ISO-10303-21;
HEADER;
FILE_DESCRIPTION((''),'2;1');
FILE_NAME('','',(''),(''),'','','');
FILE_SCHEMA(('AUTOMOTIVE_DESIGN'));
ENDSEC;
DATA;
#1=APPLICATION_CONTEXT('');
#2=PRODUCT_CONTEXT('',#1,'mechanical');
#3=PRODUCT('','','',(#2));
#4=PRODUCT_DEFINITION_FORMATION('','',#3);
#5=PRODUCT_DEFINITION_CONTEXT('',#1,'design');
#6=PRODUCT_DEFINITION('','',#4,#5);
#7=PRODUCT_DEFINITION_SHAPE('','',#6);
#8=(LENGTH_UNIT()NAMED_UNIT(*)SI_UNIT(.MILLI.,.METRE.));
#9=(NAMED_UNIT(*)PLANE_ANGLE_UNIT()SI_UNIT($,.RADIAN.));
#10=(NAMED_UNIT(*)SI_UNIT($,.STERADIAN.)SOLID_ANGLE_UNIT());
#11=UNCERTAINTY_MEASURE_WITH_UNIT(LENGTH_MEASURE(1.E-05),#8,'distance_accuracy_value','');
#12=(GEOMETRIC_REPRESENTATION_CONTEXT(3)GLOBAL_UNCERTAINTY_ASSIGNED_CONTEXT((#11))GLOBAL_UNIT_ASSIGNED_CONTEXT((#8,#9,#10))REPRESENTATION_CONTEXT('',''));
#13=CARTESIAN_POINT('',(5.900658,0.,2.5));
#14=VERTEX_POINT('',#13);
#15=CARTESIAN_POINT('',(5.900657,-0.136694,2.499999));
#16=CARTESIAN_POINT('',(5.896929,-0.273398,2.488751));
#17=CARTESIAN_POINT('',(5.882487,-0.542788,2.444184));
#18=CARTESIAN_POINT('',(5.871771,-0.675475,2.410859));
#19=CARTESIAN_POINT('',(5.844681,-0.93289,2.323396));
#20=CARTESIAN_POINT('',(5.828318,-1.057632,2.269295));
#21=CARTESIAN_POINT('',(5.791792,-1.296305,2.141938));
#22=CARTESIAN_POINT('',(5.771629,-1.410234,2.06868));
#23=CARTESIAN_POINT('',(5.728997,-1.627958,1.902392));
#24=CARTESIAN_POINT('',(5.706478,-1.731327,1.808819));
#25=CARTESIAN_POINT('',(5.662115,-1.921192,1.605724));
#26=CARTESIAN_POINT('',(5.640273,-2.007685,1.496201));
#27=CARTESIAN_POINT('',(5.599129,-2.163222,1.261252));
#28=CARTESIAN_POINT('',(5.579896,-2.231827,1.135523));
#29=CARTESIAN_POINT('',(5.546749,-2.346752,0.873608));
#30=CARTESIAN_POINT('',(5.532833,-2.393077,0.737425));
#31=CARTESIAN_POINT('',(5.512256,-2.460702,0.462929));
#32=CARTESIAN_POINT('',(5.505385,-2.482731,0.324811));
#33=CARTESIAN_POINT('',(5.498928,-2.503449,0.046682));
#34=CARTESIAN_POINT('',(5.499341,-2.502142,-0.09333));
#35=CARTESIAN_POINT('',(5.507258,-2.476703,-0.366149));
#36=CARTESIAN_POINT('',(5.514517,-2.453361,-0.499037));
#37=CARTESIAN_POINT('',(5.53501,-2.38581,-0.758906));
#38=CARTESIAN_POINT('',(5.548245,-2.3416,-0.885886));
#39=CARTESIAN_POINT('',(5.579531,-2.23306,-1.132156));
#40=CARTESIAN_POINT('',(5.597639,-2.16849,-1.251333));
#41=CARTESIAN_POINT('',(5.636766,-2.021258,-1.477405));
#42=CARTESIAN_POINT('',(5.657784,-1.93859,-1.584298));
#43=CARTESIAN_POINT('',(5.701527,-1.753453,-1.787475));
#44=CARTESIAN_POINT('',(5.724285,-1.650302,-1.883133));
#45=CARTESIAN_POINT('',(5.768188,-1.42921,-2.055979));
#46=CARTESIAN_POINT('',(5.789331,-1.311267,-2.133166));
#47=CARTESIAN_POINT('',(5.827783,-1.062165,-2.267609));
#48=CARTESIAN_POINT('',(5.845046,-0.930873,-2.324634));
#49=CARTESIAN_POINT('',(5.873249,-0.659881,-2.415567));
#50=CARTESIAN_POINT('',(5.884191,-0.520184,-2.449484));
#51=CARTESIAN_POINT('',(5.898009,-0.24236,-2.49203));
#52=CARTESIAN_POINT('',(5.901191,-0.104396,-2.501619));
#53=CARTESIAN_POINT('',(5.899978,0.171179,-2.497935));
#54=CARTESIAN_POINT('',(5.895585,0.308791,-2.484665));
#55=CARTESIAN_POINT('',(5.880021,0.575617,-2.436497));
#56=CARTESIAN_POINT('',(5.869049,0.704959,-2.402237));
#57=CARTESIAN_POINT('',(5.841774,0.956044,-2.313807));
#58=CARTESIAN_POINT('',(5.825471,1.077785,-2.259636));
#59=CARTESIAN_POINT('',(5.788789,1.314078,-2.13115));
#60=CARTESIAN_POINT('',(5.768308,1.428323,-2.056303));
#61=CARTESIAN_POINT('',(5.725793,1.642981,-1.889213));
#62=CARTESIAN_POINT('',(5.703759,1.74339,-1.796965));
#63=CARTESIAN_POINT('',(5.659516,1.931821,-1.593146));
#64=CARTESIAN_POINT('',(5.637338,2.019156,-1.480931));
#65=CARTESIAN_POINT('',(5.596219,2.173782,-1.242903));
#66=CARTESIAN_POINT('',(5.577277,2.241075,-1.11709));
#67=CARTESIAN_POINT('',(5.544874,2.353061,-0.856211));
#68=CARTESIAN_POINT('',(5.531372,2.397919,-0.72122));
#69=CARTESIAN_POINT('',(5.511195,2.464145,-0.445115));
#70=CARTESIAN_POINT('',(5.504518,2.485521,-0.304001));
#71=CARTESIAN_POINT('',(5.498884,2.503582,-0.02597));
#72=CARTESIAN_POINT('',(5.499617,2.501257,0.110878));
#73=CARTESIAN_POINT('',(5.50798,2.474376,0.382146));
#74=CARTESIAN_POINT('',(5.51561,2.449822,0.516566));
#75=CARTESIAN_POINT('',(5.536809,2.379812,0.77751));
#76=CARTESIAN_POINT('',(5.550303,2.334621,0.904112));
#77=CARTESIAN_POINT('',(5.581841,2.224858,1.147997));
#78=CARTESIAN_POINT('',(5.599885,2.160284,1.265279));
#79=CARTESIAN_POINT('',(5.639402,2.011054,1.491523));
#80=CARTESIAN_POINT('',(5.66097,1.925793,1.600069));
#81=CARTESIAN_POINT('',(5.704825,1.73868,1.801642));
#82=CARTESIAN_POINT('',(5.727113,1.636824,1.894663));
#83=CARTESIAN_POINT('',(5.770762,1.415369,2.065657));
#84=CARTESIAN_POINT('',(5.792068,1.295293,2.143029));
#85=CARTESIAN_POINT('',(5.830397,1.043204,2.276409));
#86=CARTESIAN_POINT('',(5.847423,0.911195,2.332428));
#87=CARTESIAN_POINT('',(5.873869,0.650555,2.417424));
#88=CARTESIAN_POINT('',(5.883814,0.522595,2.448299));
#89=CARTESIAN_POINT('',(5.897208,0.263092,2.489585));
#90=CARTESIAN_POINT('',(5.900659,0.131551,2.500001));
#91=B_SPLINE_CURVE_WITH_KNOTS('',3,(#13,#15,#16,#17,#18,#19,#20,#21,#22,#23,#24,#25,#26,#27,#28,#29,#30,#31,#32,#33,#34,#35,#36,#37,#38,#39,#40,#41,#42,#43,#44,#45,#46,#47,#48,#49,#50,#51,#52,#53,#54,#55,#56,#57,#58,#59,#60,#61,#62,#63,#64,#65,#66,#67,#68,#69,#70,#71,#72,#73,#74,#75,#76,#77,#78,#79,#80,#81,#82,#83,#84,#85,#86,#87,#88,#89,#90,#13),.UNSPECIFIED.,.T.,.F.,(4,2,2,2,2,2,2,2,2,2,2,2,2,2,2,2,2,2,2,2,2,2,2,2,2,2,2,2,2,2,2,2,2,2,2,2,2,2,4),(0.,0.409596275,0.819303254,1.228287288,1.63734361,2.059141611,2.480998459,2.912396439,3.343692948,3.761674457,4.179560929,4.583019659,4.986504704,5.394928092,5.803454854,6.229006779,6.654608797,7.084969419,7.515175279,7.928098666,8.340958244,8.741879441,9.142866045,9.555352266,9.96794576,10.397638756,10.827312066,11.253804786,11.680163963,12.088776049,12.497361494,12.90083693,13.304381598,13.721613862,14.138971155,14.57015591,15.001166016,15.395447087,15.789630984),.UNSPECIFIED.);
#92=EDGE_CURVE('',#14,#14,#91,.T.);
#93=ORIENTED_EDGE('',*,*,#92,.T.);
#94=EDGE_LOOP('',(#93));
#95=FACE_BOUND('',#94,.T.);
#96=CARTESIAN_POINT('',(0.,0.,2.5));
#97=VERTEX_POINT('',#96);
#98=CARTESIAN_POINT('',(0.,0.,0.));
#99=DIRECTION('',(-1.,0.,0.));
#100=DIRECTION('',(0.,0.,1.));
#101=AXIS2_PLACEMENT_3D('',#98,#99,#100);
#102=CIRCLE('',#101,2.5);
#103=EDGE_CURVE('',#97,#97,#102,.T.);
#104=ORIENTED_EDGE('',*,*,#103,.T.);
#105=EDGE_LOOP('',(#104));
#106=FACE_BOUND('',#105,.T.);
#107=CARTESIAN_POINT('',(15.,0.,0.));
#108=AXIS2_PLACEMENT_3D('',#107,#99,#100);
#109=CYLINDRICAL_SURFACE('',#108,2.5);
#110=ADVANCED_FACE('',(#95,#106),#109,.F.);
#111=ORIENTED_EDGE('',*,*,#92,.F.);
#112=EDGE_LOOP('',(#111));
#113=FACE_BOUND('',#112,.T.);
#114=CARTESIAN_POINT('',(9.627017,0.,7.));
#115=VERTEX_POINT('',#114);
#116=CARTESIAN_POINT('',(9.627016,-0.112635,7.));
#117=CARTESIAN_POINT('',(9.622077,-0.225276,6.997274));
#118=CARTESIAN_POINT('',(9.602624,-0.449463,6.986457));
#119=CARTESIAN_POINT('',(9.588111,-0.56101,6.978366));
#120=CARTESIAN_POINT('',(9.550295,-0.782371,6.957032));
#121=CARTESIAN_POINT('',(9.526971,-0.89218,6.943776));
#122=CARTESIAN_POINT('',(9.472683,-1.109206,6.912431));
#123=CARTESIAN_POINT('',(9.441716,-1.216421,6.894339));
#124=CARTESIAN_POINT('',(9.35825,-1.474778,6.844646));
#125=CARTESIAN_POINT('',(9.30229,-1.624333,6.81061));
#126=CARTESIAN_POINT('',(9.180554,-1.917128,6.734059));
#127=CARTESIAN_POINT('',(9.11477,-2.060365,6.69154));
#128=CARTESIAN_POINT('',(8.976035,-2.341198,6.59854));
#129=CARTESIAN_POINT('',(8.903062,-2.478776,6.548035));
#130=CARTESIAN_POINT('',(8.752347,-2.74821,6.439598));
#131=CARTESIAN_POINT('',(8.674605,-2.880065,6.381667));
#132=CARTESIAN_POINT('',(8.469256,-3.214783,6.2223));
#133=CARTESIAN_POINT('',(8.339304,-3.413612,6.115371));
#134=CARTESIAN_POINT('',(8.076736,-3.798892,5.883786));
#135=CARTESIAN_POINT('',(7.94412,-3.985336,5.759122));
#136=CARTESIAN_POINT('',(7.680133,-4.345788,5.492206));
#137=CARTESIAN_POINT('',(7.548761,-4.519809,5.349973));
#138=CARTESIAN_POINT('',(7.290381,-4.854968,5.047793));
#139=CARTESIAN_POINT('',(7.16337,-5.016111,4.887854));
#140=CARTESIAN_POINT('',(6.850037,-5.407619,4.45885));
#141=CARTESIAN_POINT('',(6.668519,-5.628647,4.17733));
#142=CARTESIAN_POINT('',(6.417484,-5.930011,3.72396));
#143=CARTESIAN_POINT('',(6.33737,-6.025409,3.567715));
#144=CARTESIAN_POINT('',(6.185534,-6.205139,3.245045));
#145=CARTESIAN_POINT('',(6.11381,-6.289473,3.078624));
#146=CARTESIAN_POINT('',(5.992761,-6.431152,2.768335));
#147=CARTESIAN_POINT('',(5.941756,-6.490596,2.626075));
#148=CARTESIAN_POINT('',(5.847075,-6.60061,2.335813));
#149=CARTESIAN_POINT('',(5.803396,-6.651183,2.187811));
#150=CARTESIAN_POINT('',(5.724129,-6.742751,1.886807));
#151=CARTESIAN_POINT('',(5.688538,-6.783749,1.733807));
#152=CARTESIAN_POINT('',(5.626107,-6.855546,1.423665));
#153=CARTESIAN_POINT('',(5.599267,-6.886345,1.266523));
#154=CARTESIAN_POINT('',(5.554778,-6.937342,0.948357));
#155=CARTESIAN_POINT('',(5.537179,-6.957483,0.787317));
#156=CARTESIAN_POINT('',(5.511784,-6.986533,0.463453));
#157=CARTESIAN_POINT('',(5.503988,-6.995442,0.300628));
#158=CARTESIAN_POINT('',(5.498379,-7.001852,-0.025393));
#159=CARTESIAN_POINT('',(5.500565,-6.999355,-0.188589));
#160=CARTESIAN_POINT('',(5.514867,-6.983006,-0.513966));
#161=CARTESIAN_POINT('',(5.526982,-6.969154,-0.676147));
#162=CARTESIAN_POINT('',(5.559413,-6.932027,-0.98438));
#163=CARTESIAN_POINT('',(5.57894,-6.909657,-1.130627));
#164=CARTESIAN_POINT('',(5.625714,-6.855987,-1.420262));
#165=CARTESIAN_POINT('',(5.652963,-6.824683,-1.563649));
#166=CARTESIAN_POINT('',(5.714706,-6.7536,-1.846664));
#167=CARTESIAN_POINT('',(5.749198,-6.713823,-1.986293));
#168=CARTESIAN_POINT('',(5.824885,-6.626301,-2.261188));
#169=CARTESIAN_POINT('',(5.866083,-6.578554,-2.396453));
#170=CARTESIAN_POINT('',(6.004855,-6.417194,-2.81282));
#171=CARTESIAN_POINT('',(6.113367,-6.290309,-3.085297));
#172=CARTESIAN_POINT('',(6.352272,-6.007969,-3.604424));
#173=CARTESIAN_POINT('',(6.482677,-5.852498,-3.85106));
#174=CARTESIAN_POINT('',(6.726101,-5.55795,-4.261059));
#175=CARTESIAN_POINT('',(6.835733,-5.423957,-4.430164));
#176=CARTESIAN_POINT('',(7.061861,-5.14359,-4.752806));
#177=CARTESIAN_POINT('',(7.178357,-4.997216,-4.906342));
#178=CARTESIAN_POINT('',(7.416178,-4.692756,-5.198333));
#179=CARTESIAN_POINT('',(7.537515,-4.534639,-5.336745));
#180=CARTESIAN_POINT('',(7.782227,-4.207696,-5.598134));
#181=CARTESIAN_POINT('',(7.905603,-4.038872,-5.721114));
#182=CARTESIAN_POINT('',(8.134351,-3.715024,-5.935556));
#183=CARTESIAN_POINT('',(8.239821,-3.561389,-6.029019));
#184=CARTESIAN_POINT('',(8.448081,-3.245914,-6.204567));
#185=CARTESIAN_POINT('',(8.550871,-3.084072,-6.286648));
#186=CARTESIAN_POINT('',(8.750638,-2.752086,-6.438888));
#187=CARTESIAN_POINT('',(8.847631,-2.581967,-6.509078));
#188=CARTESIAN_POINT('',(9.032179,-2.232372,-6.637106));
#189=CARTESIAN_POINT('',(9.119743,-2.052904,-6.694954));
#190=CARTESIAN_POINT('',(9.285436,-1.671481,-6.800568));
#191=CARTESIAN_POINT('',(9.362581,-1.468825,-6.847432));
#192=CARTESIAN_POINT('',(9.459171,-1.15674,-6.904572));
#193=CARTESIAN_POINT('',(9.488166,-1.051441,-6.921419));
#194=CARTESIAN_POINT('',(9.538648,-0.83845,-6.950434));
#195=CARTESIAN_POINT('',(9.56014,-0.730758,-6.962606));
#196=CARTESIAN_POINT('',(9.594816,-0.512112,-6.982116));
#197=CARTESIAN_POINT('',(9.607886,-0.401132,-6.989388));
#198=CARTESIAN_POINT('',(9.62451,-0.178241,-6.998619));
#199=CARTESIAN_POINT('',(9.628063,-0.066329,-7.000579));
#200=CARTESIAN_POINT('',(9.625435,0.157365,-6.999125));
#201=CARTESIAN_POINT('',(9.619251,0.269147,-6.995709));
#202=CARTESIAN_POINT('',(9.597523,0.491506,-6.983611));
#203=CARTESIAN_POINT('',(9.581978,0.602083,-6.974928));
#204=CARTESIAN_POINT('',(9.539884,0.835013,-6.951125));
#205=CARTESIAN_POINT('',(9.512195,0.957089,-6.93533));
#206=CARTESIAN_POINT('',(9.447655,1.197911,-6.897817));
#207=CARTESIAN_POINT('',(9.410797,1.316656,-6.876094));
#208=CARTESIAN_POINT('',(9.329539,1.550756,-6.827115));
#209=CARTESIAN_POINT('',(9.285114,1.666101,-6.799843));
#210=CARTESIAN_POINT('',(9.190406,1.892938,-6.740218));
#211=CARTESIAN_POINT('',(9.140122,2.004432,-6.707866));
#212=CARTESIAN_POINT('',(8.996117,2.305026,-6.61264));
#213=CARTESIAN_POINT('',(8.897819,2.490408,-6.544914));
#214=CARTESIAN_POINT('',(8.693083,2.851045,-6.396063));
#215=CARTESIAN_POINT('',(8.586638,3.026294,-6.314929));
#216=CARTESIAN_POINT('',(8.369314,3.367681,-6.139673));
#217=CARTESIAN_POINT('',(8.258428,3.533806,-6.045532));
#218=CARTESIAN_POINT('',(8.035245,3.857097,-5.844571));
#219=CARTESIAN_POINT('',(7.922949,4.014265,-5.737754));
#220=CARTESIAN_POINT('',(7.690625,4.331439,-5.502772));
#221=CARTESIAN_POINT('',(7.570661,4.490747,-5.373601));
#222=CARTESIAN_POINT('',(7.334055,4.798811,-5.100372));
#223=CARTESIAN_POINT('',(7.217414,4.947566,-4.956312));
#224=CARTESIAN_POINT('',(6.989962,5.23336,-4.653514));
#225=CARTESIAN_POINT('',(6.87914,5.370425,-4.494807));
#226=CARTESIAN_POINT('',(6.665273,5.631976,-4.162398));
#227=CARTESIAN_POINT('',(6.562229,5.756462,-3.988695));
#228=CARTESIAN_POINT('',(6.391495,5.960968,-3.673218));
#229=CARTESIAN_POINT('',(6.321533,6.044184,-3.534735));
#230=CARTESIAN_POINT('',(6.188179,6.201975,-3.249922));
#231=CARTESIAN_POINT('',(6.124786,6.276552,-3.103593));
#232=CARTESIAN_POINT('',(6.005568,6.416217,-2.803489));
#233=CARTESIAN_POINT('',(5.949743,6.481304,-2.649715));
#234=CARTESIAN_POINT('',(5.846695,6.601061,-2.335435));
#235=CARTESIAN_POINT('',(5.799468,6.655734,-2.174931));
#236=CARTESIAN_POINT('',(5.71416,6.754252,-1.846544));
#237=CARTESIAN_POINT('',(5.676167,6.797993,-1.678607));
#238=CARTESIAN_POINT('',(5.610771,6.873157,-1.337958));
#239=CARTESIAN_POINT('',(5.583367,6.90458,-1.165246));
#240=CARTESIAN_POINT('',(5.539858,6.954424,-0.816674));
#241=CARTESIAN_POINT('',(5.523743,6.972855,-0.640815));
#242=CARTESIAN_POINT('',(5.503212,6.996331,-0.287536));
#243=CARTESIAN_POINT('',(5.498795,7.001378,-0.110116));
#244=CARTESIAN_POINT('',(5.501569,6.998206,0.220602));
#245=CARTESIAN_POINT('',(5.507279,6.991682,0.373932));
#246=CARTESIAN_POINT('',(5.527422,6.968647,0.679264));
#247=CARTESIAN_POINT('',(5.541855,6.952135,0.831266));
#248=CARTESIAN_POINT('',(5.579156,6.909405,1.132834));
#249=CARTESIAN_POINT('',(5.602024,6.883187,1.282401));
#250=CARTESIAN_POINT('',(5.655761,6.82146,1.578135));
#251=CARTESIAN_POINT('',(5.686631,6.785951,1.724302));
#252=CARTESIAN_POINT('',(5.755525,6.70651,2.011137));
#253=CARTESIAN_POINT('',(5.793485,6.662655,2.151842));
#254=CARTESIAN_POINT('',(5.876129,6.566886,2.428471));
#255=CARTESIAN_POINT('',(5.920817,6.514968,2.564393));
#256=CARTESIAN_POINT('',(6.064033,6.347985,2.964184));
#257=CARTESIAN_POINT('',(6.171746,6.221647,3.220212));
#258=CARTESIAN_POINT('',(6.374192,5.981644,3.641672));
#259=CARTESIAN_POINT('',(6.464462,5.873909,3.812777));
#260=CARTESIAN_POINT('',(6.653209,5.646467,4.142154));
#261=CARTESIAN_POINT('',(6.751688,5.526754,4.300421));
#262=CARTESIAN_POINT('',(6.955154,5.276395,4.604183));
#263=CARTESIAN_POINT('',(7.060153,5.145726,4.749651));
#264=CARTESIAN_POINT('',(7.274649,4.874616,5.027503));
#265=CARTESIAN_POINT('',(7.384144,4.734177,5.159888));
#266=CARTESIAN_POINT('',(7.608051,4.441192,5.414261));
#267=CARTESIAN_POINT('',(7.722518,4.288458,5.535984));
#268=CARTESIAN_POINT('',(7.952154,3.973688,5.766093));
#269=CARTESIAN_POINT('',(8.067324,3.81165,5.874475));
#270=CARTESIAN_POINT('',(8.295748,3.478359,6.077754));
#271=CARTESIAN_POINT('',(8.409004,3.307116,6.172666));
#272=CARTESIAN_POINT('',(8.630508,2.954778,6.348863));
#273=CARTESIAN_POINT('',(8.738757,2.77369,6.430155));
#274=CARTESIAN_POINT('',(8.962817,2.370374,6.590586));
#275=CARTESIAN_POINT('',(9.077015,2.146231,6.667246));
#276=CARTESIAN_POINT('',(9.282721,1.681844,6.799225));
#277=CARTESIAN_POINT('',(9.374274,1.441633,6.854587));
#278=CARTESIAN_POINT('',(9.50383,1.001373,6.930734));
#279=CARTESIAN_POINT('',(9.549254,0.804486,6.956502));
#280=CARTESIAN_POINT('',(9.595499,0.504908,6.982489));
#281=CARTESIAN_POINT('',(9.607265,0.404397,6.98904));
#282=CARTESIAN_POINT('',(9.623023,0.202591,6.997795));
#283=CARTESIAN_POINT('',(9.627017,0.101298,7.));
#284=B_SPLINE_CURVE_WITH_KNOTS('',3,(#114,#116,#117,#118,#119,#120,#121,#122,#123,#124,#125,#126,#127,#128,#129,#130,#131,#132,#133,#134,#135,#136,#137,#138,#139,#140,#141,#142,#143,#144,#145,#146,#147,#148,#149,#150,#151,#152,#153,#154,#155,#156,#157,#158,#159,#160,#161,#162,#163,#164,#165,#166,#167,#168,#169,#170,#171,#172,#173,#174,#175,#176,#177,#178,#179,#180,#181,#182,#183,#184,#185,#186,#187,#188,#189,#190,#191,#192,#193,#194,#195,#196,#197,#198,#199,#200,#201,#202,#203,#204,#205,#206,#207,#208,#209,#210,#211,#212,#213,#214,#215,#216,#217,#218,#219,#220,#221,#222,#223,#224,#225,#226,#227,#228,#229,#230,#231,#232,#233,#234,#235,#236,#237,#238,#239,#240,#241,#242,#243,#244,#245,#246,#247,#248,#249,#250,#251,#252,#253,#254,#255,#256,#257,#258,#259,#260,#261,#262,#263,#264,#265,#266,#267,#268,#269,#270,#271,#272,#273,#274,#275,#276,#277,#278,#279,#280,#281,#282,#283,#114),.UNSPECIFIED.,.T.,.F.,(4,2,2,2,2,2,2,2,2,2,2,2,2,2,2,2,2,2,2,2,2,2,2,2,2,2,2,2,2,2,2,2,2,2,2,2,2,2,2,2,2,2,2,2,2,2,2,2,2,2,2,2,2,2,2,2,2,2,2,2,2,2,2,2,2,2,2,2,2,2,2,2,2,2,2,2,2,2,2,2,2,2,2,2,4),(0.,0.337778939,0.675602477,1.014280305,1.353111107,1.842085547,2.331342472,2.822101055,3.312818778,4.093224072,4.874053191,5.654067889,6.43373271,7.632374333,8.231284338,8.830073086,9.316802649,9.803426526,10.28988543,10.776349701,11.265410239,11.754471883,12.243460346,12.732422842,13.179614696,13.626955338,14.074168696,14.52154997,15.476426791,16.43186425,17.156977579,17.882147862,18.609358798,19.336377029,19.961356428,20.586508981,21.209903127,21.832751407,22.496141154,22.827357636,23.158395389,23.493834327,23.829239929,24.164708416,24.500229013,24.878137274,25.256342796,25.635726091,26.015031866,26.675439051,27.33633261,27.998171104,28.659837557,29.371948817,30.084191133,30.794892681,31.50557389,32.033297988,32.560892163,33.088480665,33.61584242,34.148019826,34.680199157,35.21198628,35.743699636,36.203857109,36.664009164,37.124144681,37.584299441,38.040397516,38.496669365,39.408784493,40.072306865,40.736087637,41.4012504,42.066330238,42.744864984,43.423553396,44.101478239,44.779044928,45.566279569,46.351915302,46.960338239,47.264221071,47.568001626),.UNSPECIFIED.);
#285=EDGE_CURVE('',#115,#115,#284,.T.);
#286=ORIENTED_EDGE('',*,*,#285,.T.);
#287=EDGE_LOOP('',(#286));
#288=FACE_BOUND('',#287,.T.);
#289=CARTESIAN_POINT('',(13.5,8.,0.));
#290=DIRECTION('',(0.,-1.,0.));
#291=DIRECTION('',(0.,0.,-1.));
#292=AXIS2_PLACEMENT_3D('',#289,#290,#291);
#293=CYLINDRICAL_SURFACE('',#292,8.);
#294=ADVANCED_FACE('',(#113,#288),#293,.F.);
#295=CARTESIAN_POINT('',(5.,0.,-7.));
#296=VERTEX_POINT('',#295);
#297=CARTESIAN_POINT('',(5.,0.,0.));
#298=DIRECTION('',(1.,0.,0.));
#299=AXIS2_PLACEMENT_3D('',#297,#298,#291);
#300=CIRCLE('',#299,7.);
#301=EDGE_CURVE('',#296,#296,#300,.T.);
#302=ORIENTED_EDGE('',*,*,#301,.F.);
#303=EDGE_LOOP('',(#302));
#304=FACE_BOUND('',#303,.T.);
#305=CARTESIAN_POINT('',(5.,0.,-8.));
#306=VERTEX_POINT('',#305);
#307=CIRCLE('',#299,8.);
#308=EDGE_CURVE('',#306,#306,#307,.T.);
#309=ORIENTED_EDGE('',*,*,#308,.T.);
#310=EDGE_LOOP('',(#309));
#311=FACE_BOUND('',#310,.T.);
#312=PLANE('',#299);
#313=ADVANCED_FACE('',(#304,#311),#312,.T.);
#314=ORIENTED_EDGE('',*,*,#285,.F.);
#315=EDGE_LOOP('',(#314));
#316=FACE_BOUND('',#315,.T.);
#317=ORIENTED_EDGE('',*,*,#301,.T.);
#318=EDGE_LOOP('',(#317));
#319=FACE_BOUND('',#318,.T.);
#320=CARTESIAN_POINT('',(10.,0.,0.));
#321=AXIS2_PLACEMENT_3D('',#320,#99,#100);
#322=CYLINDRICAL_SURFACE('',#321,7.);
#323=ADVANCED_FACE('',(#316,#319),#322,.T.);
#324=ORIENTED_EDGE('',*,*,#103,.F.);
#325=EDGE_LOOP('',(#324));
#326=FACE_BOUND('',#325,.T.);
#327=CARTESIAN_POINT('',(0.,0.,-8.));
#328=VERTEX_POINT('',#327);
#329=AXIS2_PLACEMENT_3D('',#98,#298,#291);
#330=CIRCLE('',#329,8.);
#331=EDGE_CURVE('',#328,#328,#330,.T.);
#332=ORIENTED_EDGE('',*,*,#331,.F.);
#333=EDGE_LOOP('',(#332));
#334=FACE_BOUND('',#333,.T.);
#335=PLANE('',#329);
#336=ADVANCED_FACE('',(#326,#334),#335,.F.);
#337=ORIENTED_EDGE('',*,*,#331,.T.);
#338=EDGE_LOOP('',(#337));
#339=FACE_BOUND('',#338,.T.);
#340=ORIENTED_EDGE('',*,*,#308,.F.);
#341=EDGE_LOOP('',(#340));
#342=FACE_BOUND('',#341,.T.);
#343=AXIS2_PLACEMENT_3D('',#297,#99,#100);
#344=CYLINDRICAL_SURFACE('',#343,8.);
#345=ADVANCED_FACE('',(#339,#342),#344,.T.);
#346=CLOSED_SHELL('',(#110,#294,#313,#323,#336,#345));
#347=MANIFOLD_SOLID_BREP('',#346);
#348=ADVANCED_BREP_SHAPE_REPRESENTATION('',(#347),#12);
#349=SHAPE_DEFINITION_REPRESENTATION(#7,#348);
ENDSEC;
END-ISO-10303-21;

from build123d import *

# Parameters (mm, degrees)
SKETCH1_R               = 8
BOSS_EXTRUDE1_DEPTH     = 5
SKETCH2_R               = 7
BOSS_EXTRUDE2_DEPTH     = 5
CUT_EXTRUDE1_DEPTH      = 16.099668871
CUT_EXTRUDE1_DEPTH_BACK = 15
SKETCH3_R               = 8
SKETCH4_R               = 2.5
CUT_EXTRUDE2_DEPTH      = 15


with BuildPart() as part:
    # Sketch1 → Boss-Extrude1 (new body)
    with BuildSketch(Plane(origin=(0, 0, 0), x_dir=(0, 0, -1), z_dir=(1, 0, 0))):
        Circle(SKETCH1_R)
    extrude(amount=BOSS_EXTRUDE1_DEPTH)

    # Sketch2 → Boss-Extrude2 (add)
    with BuildSketch(Plane(origin=(5, 0, 0), x_dir=(0, 0, -1), z_dir=(1, 0, 0))):
        Circle(SKETCH2_R)
    extrude(amount=BOSS_EXTRUDE2_DEPTH)

    # Sketch3 → Cut-Extrude1 (cut, two sides: drawn at the far end of the back side and taken through both)
    with BuildSketch(Plane(origin=(0, 0, 0), x_dir=(1, 0, 0), z_dir=(0, 1, 0)).offset(-CUT_EXTRUDE1_DEPTH_BACK)):
        with Locations((13.5, 0)):
            Circle(SKETCH3_R)
    extrude(amount=CUT_EXTRUDE1_DEPTH + CUT_EXTRUDE1_DEPTH_BACK, mode=Mode.SUBTRACT)

    # Sketch4 → Cut-Extrude2 (cut)
    with BuildSketch(Plane.ZY):
        Circle(SKETCH4_R)
    extrude(amount=-CUT_EXTRUDE2_DEPTH, mode=Mode.SUBTRACT)


solid = part.part
